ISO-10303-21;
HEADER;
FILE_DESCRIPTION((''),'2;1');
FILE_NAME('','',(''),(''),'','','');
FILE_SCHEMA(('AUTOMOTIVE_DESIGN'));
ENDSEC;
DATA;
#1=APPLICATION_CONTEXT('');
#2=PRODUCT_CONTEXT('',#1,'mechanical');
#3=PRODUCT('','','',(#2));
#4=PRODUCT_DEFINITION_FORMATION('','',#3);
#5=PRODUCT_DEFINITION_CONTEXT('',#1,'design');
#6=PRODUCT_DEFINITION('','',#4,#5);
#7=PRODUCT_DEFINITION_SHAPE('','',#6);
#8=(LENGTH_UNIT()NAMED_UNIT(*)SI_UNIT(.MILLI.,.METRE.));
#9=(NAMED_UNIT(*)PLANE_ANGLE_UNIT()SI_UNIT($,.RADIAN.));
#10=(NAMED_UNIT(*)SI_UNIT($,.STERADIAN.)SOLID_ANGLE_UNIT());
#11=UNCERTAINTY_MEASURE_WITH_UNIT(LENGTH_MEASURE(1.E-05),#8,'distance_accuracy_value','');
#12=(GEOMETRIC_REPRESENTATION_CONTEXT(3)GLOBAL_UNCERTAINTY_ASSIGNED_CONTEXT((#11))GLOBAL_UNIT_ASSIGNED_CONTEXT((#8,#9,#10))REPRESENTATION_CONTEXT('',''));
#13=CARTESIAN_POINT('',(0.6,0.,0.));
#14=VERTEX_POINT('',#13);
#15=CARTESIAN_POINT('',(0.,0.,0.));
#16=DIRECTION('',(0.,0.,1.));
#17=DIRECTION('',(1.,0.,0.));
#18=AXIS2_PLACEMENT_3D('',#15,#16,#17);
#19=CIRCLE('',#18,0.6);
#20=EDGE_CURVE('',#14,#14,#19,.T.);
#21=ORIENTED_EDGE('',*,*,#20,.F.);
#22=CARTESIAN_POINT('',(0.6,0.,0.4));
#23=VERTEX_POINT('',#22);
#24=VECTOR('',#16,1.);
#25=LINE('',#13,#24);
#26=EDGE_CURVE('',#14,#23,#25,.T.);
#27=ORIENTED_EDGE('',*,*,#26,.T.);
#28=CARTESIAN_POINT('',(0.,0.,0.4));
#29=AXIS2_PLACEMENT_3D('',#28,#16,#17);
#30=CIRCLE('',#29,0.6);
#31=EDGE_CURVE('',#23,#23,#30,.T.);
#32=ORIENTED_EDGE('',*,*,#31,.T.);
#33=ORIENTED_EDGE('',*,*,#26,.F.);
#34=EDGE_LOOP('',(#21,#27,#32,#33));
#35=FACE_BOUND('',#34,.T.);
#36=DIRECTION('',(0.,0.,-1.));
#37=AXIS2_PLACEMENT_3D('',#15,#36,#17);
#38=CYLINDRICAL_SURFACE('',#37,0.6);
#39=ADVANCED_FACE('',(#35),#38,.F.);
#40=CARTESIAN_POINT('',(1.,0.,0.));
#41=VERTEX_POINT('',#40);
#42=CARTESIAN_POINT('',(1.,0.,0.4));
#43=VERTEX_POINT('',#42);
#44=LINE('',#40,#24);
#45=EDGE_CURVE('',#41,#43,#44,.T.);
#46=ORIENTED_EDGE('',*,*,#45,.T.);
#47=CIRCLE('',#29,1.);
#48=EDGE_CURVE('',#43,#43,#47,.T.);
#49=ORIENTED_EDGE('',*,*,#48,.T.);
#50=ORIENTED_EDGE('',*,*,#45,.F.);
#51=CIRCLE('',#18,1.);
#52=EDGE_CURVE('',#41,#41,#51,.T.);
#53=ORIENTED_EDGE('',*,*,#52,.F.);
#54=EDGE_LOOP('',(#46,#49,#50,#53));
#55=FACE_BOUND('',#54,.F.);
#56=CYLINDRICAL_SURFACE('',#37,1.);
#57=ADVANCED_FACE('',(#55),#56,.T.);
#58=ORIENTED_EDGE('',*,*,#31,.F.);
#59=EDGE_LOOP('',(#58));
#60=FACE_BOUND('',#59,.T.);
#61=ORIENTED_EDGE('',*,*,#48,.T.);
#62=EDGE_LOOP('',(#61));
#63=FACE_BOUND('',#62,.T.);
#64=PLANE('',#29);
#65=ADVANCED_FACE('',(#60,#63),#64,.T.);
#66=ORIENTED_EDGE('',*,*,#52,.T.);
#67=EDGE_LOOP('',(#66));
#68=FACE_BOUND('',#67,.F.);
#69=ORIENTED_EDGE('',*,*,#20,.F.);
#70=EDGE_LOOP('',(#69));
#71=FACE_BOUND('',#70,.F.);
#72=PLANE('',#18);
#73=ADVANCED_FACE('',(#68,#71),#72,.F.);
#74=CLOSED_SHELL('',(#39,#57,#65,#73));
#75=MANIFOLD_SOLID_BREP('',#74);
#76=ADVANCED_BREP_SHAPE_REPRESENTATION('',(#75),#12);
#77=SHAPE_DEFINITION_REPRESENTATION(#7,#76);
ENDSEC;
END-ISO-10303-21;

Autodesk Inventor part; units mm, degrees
ref_plane "YZ Plane" through (0, 0, 0) normal (1, 0, 0) x (0, 1, 0)
ref_plane "XZ Plane" through (0, 0, 0) normal (0, 1, 0) x (-1, 0, 0)
ref_plane "XY Plane" through (0, 0, 0) normal (0, 0, 1) x (1, 0, 0)
sketch "Sketch1" plane through (0, 0, 0) normal (0, 0, 1) x (1, 0, 0)
  circle A0 centre (0, 0) radius 0.6
  circle A1 centre (0, 0) radius 1
  dimension "d0" = 1.2
  dimension "d1" = 2
extrude "Extrusion1" add sketch "Sketch1" along normal blind 0.4
properties part number "gasket"
